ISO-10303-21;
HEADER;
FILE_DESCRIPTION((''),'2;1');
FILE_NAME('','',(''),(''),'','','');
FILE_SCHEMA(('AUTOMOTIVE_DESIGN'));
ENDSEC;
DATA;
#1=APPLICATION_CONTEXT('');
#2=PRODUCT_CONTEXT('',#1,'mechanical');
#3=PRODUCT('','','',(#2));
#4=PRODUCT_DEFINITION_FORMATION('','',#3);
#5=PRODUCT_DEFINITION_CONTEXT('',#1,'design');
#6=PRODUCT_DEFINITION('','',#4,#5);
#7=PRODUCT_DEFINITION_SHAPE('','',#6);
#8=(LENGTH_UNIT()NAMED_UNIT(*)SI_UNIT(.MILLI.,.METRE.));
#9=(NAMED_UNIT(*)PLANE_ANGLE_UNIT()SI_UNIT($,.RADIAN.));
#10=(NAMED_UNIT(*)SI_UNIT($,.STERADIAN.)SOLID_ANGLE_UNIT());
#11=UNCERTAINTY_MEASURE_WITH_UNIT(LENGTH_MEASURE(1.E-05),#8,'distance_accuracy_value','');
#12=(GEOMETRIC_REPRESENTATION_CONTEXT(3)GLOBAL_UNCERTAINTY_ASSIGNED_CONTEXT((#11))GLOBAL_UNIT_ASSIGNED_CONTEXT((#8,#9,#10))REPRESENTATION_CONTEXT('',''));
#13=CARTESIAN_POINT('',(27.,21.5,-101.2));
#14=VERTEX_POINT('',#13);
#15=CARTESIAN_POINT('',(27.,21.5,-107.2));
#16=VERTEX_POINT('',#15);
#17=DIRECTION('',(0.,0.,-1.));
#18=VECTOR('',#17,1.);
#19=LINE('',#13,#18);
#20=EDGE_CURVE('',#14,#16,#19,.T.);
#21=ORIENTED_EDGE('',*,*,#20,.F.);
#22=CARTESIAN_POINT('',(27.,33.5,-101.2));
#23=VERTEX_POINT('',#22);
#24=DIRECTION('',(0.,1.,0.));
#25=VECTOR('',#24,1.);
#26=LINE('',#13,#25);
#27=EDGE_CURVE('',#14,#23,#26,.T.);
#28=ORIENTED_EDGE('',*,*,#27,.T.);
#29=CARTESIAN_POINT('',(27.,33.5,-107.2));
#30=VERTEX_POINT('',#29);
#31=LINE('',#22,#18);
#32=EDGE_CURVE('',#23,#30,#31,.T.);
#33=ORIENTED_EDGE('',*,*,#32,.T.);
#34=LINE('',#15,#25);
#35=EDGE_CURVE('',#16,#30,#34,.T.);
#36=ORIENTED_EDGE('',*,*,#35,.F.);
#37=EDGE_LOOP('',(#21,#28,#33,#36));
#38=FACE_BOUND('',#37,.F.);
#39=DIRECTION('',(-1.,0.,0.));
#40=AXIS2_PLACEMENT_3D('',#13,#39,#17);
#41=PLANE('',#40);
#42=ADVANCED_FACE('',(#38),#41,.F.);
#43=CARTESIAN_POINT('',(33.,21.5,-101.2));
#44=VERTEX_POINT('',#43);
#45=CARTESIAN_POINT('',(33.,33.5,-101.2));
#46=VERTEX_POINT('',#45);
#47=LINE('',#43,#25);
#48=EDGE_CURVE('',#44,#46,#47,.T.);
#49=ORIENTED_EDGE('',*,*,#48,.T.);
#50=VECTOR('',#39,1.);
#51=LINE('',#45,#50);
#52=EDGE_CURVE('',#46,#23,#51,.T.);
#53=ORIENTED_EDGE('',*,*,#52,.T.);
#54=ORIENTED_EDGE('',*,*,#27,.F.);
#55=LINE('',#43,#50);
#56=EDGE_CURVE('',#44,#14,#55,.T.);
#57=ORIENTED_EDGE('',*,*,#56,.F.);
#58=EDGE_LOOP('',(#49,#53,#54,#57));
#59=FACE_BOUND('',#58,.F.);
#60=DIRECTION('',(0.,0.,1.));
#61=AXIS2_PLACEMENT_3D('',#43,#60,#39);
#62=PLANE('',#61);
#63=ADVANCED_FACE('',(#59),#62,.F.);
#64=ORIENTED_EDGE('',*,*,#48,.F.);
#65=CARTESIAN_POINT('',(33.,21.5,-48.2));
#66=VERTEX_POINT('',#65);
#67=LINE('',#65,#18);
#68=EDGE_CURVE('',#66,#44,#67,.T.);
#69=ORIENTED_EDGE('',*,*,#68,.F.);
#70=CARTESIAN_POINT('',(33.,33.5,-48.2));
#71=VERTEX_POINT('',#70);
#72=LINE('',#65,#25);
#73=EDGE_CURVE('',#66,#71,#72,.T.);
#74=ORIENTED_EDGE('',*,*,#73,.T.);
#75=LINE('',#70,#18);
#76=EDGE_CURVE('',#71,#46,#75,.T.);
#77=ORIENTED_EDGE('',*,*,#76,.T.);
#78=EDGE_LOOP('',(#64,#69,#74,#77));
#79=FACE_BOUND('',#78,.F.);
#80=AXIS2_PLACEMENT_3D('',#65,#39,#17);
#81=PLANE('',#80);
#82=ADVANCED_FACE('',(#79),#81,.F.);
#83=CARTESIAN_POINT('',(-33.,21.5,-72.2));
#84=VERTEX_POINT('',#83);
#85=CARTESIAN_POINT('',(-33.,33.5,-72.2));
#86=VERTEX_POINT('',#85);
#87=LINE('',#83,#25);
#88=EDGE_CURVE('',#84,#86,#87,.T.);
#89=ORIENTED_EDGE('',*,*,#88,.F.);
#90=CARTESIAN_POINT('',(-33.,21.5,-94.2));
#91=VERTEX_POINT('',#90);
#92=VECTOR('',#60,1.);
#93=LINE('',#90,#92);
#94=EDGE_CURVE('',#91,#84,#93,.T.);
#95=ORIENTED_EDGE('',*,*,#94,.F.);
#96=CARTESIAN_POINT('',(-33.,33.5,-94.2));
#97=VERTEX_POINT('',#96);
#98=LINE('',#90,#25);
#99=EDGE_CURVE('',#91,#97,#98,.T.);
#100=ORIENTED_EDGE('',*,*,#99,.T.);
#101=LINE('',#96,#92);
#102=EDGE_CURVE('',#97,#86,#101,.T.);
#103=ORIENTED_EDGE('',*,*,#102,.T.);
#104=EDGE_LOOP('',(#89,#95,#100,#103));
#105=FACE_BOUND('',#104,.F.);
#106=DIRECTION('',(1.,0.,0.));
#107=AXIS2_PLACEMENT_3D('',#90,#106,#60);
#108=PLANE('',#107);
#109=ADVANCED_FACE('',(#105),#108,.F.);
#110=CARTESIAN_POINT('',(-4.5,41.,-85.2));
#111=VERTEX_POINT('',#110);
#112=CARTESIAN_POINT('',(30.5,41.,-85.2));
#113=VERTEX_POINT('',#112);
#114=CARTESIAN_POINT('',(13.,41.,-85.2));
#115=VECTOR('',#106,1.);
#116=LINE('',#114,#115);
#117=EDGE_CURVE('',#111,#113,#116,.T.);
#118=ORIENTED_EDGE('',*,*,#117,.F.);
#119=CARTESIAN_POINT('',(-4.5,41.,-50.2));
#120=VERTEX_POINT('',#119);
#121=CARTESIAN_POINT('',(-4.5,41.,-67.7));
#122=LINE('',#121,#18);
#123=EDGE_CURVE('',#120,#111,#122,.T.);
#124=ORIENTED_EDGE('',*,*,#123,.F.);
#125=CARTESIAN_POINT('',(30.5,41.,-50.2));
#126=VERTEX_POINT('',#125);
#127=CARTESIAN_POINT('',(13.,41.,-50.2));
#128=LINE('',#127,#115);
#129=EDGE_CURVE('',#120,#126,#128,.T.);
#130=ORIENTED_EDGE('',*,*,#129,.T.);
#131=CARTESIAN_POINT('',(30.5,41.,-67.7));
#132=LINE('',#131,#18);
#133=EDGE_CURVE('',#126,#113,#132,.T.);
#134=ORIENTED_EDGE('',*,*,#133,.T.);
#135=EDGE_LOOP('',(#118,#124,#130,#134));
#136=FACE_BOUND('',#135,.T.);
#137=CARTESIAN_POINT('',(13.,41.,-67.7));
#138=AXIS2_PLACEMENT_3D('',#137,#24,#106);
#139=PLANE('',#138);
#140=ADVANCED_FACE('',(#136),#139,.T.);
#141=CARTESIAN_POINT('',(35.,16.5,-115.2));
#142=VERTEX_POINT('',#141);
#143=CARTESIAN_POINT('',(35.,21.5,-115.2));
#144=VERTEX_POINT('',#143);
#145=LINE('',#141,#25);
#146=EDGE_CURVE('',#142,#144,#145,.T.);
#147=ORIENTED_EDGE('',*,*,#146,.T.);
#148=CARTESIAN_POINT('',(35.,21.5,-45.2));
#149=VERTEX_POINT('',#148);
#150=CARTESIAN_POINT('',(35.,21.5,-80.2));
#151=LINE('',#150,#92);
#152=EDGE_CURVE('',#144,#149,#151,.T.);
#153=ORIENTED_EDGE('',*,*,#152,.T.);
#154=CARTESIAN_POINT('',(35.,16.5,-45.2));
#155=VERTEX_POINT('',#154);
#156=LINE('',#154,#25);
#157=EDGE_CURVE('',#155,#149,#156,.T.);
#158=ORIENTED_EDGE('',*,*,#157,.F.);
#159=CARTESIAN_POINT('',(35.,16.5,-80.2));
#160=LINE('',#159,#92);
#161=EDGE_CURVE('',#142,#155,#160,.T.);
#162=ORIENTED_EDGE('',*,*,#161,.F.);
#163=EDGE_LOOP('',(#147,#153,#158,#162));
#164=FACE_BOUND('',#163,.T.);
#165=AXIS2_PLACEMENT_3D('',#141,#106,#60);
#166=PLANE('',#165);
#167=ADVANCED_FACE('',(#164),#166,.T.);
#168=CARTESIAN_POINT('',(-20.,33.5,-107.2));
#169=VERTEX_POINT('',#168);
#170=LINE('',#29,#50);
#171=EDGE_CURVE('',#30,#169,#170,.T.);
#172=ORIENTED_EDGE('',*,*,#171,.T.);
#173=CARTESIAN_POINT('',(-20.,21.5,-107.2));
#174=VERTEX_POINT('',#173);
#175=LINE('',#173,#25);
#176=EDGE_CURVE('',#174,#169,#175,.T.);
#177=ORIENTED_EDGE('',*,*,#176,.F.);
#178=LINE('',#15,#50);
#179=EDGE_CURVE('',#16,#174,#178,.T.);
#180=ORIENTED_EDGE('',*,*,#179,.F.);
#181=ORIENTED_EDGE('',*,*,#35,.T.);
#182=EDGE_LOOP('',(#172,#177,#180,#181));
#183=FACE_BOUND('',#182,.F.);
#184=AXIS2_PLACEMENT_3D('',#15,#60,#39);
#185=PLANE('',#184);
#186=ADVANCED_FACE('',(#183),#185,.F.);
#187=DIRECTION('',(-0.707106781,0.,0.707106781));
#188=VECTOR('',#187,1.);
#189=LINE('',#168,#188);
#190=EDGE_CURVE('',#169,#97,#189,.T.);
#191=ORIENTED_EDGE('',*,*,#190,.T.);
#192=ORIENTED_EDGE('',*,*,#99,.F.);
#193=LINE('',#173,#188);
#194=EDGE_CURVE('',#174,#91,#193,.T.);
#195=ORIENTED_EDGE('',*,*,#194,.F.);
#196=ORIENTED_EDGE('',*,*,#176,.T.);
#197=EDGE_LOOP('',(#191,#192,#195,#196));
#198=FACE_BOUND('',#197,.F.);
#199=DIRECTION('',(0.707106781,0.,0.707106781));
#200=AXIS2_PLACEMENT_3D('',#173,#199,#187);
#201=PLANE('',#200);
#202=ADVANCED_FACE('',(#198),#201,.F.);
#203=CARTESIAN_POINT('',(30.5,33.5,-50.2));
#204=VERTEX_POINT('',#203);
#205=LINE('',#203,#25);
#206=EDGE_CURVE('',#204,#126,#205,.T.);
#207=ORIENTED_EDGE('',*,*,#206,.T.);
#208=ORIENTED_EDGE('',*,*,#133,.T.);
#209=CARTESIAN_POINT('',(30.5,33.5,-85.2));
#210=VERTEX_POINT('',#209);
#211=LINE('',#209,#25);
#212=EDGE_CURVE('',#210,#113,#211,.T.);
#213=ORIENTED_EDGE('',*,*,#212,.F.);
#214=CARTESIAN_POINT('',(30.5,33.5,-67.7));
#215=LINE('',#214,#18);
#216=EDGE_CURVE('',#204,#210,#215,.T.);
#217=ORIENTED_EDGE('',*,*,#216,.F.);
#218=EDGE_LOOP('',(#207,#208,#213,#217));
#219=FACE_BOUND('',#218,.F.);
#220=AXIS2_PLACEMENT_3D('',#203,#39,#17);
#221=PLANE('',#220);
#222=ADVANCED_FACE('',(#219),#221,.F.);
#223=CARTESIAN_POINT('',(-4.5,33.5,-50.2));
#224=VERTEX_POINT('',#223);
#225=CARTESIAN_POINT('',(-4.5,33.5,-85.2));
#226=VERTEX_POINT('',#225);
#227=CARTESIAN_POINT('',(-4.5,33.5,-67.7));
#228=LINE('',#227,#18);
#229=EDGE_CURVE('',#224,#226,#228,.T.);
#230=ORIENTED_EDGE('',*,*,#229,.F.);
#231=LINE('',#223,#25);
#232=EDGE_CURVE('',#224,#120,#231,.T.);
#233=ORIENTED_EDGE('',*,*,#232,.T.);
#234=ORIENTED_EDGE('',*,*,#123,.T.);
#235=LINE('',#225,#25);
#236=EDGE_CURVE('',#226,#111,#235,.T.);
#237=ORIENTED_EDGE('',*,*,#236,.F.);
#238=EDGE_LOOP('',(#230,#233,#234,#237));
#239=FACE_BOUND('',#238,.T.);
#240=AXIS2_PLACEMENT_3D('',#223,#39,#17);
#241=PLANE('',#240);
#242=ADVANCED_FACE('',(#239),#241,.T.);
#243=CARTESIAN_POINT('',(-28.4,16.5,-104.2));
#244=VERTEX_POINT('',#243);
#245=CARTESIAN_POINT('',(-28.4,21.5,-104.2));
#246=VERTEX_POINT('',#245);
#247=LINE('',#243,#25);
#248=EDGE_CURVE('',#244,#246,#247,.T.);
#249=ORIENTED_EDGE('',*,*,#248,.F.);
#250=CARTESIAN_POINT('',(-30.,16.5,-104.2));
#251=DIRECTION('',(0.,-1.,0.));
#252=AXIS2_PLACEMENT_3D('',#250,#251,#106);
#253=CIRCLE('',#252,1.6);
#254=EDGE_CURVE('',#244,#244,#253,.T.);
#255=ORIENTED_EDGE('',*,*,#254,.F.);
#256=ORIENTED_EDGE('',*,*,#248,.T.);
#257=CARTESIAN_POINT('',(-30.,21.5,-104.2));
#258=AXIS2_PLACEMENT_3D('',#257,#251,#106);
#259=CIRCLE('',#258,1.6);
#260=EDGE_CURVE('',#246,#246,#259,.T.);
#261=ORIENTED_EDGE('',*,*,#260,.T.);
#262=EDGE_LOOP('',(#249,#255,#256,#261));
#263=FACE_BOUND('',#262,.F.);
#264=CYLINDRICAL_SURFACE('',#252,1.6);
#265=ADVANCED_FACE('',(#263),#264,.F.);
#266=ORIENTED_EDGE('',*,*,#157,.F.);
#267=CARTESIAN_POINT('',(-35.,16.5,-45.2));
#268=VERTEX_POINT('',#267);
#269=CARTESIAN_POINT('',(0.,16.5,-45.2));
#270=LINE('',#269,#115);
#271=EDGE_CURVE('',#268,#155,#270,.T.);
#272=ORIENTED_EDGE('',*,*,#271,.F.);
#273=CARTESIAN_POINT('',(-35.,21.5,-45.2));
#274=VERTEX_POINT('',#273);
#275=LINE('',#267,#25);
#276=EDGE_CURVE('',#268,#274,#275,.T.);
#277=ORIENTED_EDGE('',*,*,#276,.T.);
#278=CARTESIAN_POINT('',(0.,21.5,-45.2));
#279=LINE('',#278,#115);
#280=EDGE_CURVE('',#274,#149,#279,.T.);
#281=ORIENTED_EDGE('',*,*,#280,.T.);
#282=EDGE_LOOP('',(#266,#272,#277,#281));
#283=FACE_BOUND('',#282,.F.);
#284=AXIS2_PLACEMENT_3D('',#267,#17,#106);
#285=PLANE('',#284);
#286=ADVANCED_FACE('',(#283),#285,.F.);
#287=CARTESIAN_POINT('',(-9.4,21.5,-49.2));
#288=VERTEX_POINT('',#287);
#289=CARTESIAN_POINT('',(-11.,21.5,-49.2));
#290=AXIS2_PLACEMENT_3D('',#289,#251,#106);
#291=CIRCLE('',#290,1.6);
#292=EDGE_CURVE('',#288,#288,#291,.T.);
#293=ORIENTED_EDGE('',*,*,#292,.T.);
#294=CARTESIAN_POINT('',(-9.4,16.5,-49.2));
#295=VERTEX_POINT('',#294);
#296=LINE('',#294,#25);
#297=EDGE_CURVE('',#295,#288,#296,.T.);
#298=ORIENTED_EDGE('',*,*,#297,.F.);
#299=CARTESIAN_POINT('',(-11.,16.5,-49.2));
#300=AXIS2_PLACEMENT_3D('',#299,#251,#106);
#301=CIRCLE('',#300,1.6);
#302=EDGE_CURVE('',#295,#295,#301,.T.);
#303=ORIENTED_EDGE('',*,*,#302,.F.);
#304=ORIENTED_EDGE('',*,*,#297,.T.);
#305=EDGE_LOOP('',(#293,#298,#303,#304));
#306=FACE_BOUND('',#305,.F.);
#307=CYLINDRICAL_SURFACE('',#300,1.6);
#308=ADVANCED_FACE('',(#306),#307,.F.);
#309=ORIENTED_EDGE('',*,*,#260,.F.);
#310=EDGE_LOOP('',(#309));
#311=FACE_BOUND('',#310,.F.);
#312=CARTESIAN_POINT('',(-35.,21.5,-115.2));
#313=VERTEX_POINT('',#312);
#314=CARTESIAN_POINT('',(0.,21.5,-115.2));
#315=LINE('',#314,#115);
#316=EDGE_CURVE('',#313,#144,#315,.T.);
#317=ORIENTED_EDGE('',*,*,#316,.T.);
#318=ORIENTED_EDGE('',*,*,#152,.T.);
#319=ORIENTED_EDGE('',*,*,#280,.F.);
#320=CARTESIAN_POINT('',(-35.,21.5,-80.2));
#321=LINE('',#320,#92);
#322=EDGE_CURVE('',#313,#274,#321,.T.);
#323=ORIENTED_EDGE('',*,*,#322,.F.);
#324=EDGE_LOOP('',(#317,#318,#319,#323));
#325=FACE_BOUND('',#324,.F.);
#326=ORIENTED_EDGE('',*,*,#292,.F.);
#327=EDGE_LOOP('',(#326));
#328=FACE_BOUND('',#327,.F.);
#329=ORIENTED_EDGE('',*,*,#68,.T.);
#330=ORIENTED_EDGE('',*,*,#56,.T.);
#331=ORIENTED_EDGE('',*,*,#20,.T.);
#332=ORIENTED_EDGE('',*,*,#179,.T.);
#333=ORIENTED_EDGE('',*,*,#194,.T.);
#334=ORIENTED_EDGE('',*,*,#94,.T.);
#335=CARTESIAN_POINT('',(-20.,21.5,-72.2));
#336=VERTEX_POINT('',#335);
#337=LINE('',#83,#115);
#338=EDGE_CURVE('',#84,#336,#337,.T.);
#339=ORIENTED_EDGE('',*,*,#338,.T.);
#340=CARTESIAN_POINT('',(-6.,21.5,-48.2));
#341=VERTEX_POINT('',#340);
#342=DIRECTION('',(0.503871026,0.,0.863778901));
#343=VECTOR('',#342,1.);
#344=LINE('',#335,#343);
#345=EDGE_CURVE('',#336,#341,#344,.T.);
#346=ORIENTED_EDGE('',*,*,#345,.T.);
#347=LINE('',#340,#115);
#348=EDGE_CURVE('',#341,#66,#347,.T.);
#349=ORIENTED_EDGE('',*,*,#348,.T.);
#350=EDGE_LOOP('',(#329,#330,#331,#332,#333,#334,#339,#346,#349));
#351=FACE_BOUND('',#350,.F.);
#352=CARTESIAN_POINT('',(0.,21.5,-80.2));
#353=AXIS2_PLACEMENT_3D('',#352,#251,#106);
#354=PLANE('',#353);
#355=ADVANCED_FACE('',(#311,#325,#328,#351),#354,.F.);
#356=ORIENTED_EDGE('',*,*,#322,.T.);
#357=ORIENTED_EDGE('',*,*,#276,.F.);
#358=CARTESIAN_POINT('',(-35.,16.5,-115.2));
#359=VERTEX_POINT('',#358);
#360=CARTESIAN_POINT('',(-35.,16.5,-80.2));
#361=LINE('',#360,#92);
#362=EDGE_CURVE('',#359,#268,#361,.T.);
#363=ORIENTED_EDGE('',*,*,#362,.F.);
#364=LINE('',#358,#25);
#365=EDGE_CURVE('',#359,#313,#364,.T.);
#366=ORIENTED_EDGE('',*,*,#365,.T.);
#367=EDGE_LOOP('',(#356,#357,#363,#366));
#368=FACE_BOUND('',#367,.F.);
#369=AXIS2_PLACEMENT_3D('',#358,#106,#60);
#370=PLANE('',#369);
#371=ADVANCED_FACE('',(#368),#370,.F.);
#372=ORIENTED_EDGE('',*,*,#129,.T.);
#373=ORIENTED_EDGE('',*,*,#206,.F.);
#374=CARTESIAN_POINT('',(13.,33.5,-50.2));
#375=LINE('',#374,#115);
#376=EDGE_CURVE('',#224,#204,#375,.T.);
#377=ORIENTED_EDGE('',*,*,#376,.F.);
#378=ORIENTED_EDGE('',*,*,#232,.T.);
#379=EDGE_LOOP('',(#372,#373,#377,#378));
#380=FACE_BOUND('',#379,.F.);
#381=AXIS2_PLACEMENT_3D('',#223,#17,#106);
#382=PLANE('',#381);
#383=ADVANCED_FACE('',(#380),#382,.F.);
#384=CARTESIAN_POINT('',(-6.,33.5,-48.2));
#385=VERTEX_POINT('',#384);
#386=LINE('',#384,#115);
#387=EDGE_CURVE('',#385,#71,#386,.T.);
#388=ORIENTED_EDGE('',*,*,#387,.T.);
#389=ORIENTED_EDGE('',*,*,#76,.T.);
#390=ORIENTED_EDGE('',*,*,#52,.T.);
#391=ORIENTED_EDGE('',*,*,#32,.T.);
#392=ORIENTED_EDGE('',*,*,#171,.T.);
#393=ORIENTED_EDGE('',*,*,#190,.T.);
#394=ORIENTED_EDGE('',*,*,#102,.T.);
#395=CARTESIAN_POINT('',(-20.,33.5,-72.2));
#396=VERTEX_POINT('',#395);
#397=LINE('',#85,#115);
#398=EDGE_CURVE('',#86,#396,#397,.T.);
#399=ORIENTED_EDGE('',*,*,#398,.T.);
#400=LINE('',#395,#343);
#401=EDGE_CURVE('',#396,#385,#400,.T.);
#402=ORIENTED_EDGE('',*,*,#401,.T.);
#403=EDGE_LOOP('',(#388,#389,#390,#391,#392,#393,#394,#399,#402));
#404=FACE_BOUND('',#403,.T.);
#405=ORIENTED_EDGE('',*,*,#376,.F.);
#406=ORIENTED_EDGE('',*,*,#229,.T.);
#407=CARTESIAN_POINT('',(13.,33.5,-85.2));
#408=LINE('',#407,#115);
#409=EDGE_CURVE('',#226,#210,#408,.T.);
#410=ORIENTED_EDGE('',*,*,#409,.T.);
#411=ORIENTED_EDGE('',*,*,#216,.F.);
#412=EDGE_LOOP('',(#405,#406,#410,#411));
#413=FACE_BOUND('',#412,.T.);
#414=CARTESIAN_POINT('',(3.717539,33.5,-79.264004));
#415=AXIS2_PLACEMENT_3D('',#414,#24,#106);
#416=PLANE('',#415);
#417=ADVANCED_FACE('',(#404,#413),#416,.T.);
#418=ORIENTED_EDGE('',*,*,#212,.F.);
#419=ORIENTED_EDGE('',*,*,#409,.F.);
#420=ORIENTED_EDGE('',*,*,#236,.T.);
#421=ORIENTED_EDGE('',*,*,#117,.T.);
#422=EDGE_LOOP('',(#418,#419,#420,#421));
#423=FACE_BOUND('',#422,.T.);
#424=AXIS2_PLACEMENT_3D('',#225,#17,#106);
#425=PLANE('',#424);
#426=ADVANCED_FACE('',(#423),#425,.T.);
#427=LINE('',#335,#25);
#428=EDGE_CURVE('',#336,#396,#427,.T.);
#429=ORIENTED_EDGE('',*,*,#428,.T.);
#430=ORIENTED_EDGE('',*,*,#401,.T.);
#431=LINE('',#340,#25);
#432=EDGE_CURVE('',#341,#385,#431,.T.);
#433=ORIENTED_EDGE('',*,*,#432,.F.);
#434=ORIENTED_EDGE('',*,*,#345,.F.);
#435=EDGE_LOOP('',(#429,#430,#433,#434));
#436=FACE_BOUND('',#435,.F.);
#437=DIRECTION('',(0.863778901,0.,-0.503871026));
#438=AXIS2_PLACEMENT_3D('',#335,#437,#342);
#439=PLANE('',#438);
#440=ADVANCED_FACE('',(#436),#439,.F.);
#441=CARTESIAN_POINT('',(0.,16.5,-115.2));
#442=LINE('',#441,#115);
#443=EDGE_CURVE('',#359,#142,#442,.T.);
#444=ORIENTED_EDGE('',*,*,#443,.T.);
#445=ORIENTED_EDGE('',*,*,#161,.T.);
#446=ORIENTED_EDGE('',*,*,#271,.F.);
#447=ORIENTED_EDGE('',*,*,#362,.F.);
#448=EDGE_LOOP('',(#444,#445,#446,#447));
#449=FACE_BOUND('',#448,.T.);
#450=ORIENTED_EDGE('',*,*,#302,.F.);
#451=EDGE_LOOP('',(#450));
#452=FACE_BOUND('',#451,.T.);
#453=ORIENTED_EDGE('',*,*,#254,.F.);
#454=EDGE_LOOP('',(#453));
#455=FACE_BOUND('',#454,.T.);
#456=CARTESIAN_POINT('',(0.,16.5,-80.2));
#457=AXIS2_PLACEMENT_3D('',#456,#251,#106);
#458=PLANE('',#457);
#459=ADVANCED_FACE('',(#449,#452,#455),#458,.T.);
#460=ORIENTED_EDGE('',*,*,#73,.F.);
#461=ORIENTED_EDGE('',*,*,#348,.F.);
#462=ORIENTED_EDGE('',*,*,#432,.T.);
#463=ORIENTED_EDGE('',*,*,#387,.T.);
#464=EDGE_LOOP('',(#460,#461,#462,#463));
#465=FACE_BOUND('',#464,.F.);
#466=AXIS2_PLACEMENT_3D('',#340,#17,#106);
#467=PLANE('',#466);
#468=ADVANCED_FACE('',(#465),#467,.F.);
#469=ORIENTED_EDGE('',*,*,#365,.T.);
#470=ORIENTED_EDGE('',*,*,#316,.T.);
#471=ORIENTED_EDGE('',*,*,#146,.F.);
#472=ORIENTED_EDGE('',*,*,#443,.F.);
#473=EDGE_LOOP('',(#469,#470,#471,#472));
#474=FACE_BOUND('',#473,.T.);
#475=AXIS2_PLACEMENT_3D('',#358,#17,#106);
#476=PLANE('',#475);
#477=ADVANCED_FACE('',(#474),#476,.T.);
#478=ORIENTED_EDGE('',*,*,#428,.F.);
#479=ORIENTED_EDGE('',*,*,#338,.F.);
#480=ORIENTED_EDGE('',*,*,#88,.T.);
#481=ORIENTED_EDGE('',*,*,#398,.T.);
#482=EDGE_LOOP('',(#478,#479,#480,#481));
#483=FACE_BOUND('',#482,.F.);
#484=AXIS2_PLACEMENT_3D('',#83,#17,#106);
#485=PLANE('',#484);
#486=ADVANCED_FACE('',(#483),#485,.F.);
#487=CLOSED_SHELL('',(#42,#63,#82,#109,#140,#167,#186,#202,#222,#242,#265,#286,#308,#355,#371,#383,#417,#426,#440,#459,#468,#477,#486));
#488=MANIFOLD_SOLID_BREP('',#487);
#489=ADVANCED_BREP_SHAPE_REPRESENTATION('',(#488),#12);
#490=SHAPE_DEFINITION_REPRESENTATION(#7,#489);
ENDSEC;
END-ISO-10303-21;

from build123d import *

# Parameters (mm, degrees)
SKETCH016_W  = 70
SKETCH016_H  = 70
SKETCH016_R  = 1.6
PAD012_DEPTH = 5
PAD013_DEPTH = 12
SKETCH018_W  = 35
SKETCH018_H  = 35
PAD014_DEPTH = 7.5


with BuildPart() as part:
    # Sketch016 → Pad012 (new body)
    with BuildSketch(Plane.XZ):
        Rectangle(SKETCH016_W, SKETCH016_H)
        with Locations((-30, -24)):
            Circle(SKETCH016_R, mode=Mode.SUBTRACT)
        with Locations((-11, 31)):
            Circle(SKETCH016_R, mode=Mode.SUBTRACT)
    extrude(amount=-PAD012_DEPTH)

    # Sketch017 (on Face8 of Pad012) → Pad013 (join)
    with BuildSketch(Plane(origin=(0, 5, 0), x_dir=(1, 0, 0), z_dir=(0, 1, 0))):
        Polygon((-20, 27), (-33, 14), (-33, -8), (-20, -8), (-6, -32), (33, -32), (33, 21), (27, 21), (27, 27), align=None)
    extrude(amount=PAD013_DEPTH)

    # Sketch018 (on Face18 of Pad013) → Pad014 (join)
    with BuildSketch(Plane(origin=(0, 17, 0), x_dir=(1, 0, 0), z_dir=(0, 1, 0))):
        with Locations((13, -12.5)):
            Rectangle(SKETCH018_W, SKETCH018_H)
    extrude(amount=PAD014_DEPTH)


with BuildPart() as part_1:
    # Body010 placement: moved
    add(part.part.moved(Location((0, 16.5, -80.2))))


solid = part_1.part
